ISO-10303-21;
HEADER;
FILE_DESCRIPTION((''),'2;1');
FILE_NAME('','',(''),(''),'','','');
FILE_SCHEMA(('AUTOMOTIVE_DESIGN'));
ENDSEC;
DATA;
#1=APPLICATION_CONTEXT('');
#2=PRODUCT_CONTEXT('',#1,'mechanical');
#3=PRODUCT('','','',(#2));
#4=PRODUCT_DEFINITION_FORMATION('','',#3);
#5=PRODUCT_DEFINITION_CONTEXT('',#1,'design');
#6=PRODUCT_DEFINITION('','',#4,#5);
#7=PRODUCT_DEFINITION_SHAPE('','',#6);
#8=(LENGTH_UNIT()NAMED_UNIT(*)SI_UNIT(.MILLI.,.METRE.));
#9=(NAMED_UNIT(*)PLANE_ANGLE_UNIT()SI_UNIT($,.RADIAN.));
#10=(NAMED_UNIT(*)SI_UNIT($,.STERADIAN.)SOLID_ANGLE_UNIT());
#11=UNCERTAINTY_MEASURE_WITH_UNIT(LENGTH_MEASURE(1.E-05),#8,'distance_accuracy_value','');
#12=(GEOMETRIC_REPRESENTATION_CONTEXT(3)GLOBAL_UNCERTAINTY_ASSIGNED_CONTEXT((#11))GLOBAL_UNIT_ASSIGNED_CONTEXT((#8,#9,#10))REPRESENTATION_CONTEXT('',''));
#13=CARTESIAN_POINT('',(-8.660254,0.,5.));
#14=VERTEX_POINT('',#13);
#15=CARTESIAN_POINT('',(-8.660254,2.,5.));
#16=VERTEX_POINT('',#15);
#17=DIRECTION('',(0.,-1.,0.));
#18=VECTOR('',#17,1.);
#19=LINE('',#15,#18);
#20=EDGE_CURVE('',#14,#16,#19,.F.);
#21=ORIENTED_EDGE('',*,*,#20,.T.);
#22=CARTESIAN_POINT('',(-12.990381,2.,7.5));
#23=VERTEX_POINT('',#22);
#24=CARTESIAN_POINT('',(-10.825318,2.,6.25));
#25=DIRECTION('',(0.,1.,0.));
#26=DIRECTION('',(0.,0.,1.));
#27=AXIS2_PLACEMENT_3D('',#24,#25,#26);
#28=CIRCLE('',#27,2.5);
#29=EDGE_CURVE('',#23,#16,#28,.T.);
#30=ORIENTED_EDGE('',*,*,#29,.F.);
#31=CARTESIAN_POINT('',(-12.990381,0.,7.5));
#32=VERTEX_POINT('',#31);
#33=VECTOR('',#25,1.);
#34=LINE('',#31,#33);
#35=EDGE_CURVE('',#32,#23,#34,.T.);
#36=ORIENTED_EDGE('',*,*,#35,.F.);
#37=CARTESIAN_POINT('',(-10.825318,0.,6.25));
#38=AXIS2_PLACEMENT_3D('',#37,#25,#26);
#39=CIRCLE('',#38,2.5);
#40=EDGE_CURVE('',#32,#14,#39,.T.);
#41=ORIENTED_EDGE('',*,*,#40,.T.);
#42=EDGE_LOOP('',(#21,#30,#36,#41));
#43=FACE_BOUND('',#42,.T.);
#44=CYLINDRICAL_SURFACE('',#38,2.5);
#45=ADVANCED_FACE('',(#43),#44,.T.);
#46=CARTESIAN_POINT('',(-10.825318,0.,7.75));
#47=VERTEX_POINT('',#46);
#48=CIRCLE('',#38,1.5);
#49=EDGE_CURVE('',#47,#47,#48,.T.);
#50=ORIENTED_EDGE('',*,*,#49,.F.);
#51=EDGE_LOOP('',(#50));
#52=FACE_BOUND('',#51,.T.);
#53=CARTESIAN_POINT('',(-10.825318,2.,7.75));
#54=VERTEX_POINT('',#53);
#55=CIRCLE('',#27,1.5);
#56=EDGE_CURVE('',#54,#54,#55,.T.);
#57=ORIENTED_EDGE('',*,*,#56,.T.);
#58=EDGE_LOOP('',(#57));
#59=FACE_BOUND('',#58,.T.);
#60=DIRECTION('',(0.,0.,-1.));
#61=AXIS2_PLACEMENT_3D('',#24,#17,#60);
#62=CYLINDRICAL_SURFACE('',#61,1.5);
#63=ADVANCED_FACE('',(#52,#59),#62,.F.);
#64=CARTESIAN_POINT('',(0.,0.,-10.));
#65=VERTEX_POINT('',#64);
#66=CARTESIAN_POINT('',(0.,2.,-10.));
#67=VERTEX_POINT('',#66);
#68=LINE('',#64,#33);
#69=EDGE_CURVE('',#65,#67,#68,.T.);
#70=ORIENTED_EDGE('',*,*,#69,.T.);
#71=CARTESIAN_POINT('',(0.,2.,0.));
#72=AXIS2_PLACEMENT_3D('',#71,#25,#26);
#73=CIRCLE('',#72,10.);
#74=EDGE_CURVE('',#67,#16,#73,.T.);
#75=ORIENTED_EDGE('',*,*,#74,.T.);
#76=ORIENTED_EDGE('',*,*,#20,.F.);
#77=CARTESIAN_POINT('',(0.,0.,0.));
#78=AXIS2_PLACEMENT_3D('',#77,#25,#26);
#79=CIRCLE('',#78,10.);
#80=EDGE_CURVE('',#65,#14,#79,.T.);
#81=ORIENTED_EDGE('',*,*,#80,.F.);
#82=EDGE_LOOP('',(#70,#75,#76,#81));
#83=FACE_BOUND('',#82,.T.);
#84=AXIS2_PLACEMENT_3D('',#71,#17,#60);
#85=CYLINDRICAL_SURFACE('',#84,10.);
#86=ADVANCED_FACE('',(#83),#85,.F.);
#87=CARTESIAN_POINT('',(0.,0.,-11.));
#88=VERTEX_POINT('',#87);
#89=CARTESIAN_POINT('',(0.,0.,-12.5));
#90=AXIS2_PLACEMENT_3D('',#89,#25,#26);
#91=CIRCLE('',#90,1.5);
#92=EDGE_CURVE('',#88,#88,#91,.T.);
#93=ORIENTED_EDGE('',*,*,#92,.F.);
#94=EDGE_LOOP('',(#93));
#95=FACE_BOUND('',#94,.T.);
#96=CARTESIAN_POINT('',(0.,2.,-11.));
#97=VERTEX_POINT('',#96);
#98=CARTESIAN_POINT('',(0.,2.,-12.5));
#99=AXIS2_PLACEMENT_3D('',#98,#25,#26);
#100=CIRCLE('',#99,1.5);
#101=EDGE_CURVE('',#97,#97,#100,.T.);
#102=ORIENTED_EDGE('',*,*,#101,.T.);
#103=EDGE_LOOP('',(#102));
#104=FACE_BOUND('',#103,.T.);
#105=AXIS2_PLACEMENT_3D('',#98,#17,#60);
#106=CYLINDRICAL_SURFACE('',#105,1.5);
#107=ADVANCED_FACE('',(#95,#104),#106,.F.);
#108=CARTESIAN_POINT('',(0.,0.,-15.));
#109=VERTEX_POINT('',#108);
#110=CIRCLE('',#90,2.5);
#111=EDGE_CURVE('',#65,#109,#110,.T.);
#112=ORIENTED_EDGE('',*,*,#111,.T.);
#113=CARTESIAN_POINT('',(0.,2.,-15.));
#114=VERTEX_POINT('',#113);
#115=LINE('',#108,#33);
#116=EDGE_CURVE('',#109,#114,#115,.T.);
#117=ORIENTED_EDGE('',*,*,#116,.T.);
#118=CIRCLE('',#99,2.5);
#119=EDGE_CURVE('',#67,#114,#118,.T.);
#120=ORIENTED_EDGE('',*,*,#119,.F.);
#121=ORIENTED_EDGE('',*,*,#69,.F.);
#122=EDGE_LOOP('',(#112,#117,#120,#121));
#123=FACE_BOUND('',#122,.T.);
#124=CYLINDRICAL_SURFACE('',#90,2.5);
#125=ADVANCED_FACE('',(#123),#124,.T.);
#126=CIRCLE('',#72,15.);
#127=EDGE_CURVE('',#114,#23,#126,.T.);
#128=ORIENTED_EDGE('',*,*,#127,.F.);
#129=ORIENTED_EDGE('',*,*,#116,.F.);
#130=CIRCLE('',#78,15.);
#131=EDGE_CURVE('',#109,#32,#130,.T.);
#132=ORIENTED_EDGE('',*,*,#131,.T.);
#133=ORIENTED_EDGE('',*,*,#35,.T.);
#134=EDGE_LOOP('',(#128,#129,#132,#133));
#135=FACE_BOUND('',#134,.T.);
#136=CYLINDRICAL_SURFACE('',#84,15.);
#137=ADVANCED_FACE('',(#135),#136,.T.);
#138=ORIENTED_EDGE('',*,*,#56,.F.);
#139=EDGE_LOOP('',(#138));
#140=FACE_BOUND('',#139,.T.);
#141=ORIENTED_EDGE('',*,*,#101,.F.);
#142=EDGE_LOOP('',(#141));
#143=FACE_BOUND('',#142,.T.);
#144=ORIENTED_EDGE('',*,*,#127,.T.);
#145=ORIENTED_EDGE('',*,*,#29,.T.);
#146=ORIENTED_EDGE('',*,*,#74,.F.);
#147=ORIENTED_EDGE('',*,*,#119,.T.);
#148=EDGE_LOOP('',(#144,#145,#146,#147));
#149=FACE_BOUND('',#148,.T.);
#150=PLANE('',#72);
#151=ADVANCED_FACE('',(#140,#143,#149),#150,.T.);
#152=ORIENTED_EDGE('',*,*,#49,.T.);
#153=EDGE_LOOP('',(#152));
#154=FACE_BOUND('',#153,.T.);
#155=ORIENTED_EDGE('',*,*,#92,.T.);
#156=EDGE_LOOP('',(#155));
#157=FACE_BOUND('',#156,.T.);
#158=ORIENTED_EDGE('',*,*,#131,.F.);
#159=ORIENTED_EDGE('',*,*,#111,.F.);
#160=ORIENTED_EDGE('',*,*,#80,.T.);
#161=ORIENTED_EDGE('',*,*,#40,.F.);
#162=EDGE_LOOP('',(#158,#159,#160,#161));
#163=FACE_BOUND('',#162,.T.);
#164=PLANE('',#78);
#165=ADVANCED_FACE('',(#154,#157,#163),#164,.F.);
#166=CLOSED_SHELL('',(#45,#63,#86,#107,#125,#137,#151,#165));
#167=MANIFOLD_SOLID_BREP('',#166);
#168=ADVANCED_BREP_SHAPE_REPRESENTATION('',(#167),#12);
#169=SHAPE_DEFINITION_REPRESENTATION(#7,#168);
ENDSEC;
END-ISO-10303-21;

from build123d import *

# Parameters (mm, degrees)
SKETCH2_R           = 15
SKETCH2_R_2         = 10
SKETCH2_R_3         = 1.5
BOSS_EXTRUDE3_DEPTH = 2
CUT_EXTRUDE1_DEPTH  = 2
BOSS_EXTRUDE4_START = -2
SKETCH5_R           = 2.5
SKETCH5_R_2         = 1.5
BOSS_EXTRUDE4_DEPTH = 2


with BuildPart() as part:
    # Sketch2 → Boss-Extrude3 (new body)
    with BuildSketch(Plane(origin=(0, 0, 0), x_dir=(1, 0, 0), z_dir=(0, 1, 0))):
        with Locations(Location((0, 0, 0), (0, 0, 270))):
            Circle(SKETCH2_R)
        with Locations(Location((0, 0, 0), (0, 0, 270))):
            Circle(SKETCH2_R_2, mode=Mode.SUBTRACT)
        with Locations(Location((0, 12.5, 0), (0, 0, 270))):
            Circle(SKETCH2_R_3, mode=Mode.SUBTRACT)
        with Locations(Location((10.825317547, -6.25, 0), (0, 0, 270))):
            Circle(SKETCH2_R_3, mode=Mode.SUBTRACT)
        with Locations(Location((-10.825317547, -6.25, 0), (0, 0, 270))):
            Circle(SKETCH2_R_3, mode=Mode.SUBTRACT)
    extrude(amount=BOSS_EXTRUDE3_DEPTH)

    # Sketch4 → Cut-Extrude1 (cut)
    with BuildSketch(Plane(origin=(0, 2, 0), x_dir=(1, 0, 0), z_dir=(0, 1, 0))):
        Polygon((0, -17.282816366), (0, 0), (-10.825317547, -6.25), (-3.247954002, -19.374378648), (-1.635577826, -22.167096106), (6.824242843, -17.282816366), align=None)
        Polygon((9.189739722, -15.917096106), (0, 0), (0, -17.282816366), (6.824242843, -17.282816366), align=None)
        Polygon((0, 15), (0, 0), (9.189739722, -15.917096106), (6.824242843, -17.282816366), (15, -17.282816366), (15, 15), align=None)
        Polygon((-3.247954002, -19.374378648), (-10.825317547, -6.25), (-12.990381057, -7.5), (-5.413017511, -20.624378648), align=None)
    extrude(amount=-CUT_EXTRUDE1_DEPTH, mode=Mode.SUBTRACT)

    # Sketch5 → Boss-Extrude4 (add)
    # profile 1 of 2: a face of its own
    with BuildSketch(Plane(origin=(0, 2, 0), x_dir=(1, 0, 0), z_dir=(0, 1, 0)).offset(BOSS_EXTRUDE4_START)):
        with Locations((0, 12.5)):
            Circle(SKETCH5_R)
        with Locations(Location((0, 12.5, 0), (0, 0, 270))):
            Circle(SKETCH5_R_2, mode=Mode.SUBTRACT)
    # profile 2 of 2: a face of its own
    with BuildSketch(Plane(origin=(0, 2, 0), x_dir=(1, 0, 0), z_dir=(0, 1, 0)).offset(BOSS_EXTRUDE4_START)):
        with Locations((-10.825317547, -6.25)):
            Circle(SKETCH5_R)
        with Locations(Location((-10.825317547, -6.25, 0), (0, 0, 270))):
            Circle(SKETCH5_R_2, mode=Mode.SUBTRACT)
    extrude(amount=BOSS_EXTRUDE4_DEPTH)


solid = part.part
